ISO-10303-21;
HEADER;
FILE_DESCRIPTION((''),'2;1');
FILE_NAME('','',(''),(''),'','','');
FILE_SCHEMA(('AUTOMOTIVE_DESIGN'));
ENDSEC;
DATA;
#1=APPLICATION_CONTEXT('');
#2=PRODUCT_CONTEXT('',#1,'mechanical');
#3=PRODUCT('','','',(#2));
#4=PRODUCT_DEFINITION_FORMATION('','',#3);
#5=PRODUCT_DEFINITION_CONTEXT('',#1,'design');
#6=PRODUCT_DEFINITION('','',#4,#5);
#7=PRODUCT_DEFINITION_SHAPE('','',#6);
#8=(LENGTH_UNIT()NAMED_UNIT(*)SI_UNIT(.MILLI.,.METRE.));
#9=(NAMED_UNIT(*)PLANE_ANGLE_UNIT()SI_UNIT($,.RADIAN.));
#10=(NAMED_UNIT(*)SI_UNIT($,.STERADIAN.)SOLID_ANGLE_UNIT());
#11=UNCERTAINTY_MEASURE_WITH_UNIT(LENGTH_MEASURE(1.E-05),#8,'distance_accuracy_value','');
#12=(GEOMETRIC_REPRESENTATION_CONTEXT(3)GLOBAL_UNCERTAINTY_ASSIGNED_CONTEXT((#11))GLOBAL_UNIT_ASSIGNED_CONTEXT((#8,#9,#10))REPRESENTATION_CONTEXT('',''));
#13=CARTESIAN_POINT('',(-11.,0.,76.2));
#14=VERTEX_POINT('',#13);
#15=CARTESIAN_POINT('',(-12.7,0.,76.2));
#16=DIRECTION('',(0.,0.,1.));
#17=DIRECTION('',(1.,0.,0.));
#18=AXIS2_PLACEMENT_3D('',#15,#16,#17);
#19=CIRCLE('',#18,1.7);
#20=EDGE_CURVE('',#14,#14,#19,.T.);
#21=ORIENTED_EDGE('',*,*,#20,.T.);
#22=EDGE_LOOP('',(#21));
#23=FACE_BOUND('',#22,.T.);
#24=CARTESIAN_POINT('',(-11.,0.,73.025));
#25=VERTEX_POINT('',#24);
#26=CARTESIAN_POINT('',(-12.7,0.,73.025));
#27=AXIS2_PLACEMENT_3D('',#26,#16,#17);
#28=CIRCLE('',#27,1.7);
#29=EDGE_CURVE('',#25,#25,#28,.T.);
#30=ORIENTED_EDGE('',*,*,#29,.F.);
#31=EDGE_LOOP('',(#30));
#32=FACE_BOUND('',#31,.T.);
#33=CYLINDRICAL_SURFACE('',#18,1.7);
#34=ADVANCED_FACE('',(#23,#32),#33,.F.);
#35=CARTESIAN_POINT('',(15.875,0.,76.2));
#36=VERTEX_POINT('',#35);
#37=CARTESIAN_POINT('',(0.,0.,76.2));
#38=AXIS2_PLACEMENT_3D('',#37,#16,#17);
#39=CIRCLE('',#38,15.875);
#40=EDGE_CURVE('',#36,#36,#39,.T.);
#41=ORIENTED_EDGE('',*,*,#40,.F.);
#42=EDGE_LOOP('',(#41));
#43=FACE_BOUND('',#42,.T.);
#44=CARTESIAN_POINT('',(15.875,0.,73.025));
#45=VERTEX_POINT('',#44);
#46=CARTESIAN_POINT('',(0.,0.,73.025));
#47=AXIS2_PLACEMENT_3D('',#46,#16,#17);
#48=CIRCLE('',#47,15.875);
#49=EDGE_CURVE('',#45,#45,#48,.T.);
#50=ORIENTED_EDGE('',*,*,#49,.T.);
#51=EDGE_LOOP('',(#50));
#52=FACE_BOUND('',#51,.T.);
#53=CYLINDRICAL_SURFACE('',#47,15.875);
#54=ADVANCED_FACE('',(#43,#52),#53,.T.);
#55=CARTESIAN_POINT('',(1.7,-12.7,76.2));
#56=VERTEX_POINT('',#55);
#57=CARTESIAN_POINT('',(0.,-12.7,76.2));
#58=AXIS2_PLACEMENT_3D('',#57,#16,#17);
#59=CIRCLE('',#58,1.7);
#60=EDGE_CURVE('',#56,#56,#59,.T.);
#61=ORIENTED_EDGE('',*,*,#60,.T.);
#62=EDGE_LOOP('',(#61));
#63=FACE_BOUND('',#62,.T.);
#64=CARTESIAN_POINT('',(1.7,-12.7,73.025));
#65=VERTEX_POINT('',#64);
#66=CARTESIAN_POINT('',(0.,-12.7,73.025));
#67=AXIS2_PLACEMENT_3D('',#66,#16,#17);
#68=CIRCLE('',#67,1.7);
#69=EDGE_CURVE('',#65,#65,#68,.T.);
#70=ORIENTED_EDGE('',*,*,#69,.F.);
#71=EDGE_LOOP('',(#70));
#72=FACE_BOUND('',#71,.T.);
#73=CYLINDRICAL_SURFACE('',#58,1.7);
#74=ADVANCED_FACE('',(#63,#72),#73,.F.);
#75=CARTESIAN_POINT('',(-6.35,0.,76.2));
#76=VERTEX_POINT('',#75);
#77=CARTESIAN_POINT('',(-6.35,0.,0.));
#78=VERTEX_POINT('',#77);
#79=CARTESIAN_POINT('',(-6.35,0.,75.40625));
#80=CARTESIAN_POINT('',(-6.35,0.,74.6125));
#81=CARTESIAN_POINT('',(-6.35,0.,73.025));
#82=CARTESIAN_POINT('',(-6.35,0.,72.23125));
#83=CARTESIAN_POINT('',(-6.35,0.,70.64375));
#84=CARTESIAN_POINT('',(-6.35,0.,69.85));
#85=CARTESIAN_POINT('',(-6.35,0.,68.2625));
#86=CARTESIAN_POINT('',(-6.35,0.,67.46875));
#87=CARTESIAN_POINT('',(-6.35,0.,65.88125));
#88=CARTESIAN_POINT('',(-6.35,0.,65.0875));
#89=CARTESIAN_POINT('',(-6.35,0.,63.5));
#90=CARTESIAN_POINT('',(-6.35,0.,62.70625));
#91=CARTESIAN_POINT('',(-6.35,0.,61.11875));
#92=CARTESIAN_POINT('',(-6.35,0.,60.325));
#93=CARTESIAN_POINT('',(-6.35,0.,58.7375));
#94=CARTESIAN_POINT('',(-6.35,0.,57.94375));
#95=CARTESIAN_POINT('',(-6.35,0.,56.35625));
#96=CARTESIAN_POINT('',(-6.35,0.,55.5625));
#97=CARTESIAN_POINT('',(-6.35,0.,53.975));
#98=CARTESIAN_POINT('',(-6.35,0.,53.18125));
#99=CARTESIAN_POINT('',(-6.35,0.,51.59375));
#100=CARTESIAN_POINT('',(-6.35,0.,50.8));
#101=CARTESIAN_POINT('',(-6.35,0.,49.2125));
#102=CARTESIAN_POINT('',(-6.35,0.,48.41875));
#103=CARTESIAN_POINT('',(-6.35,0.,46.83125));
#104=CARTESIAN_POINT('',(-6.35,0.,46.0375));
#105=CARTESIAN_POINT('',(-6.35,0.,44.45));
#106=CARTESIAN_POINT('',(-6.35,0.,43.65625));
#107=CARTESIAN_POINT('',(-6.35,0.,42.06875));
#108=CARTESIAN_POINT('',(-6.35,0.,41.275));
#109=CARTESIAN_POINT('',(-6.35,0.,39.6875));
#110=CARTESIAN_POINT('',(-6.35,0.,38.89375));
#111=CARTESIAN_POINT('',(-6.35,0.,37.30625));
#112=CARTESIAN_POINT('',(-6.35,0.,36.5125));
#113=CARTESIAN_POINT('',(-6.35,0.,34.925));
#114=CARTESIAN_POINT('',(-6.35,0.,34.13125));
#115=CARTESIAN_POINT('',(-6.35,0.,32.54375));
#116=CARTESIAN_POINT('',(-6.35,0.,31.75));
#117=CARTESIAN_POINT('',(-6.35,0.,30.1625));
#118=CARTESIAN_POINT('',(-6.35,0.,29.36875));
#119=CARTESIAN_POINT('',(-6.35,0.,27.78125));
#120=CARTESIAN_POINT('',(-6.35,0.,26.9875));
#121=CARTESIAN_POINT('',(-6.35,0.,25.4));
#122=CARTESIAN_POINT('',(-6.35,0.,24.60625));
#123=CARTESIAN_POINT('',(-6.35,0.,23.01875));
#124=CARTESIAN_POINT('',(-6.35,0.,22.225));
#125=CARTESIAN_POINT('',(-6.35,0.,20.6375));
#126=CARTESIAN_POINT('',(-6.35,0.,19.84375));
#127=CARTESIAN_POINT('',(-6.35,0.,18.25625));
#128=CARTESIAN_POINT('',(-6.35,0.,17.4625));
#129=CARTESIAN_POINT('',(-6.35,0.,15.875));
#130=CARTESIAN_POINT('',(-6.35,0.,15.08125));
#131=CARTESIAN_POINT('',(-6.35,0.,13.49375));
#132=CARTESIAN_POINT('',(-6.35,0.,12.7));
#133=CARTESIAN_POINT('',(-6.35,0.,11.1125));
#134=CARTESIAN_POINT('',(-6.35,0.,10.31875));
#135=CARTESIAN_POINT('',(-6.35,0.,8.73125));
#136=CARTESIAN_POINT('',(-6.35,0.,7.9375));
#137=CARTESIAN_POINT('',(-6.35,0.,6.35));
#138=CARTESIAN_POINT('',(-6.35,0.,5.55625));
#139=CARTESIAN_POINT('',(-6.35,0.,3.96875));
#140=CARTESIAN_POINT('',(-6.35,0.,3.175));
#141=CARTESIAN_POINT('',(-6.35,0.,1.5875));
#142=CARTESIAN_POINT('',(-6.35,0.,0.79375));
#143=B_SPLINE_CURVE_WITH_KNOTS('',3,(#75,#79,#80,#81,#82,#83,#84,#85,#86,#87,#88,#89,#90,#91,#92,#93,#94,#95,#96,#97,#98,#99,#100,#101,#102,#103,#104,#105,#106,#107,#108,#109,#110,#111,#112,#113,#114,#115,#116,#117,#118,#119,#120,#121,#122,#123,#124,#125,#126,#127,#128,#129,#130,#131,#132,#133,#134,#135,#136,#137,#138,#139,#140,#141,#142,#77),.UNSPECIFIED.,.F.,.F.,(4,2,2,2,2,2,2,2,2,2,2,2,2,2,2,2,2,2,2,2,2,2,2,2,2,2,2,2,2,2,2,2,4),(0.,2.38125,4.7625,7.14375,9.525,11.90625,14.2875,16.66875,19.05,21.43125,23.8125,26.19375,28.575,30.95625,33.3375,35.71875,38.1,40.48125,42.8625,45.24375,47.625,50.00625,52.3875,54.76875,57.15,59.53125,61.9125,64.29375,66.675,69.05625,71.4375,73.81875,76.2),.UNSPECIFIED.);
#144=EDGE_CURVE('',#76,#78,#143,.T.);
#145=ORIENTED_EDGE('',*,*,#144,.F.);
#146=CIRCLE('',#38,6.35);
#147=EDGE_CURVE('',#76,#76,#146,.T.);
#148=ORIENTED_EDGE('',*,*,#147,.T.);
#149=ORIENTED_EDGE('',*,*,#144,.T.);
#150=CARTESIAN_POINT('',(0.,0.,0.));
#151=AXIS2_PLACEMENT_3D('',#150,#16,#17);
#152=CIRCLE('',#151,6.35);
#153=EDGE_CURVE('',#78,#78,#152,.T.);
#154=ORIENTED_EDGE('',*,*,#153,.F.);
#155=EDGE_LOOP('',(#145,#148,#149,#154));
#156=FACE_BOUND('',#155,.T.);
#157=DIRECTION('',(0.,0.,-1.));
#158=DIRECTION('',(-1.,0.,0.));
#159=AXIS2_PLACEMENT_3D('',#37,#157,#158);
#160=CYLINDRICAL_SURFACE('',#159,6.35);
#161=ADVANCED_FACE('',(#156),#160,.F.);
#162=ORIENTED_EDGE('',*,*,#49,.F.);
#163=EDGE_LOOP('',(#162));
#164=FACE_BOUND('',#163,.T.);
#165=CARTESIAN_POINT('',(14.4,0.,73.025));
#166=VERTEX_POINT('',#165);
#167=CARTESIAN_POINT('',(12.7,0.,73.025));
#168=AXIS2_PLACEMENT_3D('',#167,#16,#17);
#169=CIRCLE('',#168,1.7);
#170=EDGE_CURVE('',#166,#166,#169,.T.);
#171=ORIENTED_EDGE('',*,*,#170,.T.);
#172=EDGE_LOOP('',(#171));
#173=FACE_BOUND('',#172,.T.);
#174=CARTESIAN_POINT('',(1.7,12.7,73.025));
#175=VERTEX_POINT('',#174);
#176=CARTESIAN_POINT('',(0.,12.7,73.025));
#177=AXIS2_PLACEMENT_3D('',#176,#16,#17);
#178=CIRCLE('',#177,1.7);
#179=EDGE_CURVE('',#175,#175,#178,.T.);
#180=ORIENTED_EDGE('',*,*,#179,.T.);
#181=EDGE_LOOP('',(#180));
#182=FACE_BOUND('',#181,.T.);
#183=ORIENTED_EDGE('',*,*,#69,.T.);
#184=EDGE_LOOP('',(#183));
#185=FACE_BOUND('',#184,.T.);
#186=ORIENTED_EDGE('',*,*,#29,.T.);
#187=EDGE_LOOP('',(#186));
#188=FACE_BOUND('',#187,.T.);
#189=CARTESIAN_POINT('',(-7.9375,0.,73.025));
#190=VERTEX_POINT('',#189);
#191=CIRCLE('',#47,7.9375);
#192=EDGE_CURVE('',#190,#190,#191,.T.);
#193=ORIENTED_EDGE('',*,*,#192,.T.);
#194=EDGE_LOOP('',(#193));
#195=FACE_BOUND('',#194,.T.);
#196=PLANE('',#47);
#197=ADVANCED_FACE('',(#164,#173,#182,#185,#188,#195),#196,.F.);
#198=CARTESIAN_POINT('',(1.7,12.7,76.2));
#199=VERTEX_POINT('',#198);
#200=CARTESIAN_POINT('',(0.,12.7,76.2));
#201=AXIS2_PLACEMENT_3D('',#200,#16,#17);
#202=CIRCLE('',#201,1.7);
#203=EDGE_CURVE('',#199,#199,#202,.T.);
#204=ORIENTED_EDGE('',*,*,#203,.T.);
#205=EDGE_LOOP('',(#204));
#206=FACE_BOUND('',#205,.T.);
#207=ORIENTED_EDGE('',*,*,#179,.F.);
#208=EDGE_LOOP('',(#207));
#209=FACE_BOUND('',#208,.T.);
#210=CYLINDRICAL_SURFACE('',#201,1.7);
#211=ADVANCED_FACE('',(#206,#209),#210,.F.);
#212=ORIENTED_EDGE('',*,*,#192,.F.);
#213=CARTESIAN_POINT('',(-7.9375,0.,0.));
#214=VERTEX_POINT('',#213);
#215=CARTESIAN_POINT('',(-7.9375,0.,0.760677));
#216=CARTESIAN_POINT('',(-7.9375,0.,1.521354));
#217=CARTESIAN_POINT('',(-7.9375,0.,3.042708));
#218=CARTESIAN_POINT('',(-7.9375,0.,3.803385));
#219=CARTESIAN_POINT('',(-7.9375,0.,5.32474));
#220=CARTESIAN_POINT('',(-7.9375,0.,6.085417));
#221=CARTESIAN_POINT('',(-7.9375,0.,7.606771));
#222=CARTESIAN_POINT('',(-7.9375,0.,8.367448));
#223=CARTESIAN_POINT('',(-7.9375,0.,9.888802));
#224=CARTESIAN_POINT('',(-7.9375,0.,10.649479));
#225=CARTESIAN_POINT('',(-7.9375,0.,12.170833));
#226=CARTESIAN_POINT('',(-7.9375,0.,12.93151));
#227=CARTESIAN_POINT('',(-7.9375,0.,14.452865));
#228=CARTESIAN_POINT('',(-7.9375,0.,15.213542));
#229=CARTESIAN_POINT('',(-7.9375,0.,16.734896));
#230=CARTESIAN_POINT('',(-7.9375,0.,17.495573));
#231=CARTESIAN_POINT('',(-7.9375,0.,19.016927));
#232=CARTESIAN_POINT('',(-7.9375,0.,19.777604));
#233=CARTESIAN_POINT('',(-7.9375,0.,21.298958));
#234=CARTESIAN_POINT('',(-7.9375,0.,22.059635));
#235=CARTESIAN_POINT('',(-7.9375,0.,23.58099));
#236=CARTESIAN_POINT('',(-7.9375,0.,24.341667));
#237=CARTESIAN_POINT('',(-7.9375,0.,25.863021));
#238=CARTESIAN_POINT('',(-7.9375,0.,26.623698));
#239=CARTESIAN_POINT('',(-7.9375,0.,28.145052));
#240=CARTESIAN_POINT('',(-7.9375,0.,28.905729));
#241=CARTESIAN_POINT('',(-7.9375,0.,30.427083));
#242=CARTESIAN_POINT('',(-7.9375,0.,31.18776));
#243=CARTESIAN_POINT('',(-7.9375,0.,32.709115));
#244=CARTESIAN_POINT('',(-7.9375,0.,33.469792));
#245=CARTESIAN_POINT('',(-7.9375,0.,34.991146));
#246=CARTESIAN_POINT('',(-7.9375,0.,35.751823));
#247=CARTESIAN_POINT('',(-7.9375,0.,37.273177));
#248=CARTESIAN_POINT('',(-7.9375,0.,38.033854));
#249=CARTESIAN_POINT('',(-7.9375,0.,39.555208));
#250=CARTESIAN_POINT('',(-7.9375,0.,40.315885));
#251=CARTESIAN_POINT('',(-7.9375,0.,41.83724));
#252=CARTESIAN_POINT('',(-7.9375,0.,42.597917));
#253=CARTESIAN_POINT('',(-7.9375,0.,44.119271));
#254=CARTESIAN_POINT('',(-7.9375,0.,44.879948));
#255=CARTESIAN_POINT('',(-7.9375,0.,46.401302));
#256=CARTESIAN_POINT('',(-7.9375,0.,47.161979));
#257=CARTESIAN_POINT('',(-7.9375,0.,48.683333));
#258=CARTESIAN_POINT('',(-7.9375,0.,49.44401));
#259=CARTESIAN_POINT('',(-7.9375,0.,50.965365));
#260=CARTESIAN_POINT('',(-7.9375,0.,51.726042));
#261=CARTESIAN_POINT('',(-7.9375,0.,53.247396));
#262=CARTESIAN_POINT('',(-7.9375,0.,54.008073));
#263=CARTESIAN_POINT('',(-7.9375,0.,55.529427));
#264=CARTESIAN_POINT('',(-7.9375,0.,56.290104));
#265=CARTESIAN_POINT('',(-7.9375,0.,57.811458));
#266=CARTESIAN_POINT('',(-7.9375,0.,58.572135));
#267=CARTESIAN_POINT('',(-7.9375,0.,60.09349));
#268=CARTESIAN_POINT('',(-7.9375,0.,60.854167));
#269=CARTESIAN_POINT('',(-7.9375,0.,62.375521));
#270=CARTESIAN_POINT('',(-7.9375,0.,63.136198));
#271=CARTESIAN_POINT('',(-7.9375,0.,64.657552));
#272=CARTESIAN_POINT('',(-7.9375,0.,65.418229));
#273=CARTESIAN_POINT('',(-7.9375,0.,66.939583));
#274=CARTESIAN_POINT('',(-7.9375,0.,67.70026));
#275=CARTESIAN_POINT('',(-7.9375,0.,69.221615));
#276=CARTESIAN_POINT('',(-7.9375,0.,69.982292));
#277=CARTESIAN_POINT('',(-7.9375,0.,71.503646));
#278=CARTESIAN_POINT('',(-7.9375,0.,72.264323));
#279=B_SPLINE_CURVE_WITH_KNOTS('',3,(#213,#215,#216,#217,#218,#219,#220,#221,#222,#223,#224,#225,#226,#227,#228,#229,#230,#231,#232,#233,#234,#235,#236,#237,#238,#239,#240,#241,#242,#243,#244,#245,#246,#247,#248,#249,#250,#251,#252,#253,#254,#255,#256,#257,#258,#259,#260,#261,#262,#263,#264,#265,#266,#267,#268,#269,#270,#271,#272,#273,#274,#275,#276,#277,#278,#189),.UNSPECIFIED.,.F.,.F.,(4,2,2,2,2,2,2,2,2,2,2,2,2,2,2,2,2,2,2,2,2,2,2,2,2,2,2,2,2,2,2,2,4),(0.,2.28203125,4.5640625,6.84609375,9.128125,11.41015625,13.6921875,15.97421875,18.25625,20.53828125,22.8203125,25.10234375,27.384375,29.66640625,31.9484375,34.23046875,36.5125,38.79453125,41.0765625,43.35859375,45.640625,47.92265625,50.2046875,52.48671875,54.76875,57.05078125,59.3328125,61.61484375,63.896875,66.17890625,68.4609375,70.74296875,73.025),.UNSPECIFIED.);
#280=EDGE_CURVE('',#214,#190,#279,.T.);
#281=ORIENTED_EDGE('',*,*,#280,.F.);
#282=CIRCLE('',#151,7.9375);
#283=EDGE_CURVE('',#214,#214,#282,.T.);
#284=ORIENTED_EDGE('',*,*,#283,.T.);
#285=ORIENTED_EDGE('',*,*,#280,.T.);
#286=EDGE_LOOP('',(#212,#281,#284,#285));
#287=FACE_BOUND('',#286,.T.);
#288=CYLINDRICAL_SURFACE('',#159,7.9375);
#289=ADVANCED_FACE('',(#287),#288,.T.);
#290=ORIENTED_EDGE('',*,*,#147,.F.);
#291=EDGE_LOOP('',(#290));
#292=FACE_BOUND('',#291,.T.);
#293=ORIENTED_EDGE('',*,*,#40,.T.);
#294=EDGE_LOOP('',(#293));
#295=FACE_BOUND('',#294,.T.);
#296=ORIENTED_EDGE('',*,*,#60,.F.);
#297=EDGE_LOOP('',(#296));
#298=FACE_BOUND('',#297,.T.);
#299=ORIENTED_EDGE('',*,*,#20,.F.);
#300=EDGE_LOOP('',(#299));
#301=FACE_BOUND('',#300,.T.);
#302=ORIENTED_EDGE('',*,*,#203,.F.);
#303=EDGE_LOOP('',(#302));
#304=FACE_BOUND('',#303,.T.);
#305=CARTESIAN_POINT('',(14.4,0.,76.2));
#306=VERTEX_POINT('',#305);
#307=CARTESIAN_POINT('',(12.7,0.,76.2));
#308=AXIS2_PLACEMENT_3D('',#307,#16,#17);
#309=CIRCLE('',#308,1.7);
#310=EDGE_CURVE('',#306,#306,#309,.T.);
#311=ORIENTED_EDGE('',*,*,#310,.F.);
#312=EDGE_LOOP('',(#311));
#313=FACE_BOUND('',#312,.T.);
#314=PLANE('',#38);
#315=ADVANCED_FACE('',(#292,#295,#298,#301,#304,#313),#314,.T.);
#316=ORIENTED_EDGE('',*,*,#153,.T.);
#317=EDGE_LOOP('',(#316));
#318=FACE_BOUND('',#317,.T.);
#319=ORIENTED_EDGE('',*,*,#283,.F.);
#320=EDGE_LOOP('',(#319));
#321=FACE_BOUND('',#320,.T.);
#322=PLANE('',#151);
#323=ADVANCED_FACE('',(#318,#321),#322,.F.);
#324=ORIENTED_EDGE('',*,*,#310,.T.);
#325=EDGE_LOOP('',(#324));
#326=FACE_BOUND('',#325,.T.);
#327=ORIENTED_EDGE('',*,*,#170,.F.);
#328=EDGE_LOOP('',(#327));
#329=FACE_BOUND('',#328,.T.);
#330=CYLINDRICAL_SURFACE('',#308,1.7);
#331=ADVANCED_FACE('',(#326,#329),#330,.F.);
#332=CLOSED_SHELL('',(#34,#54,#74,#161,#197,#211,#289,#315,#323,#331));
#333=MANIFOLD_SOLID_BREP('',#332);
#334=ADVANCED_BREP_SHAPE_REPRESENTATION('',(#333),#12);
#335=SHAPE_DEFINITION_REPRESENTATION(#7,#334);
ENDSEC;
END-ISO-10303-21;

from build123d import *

# Parameters (mm, degrees)
SKETCH1_R                = 7.9375
SKETCH1_R_2              = 6.35
BOSS_EXTRUDE1_DEPTH      = 76.2
BOSS_EXTRUDE2_START      = -3.175
SKETCH2_R                = 15.875
SKETCH2_R_2              = 6.35
BOSS_EXTRUDE2_DEPTH      = 3.175
M3_CLEARANCE_HOLE1_D     = 3.4
M3_CLEARANCE_HOLE1_DEPTH = 4
M3_CLEARANCE_HOLE1_TIP   = 1.021463052


with BuildPart() as part:
    # Sketch1 → Boss-Extrude1 (new body)
    with BuildSketch(Plane.XY):
        with Locations(Location((0, 0, 0), (0, 0, 180))):
            Circle(SKETCH1_R)
        with Locations(Location((0, 0, 0), (0, 0, 180))):
            Circle(SKETCH1_R_2, mode=Mode.SUBTRACT)
    extrude(amount=BOSS_EXTRUDE1_DEPTH)

    # Sketch2 → Boss-Extrude2 (add)
    with BuildSketch(Plane.XY.offset(76.2).offset(BOSS_EXTRUDE2_START)):
        Circle(SKETCH2_R)
        with Locations(Location((0, 0, 0), (0, 0, 180))):
            Circle(SKETCH2_R_2, mode=Mode.SUBTRACT)
    extrude(amount=BOSS_EXTRUDE2_DEPTH)

    # M3 Clearance Hole1
    with Locations(Plane.XY.offset(76.2)):
        with Locations((0, 12.7), (0, -12.7), (12.7, 0), (-12.7, 0)):
            Hole(M3_CLEARANCE_HOLE1_D / 2, depth=M3_CLEARANCE_HOLE1_DEPTH)
            with Locations((0, 0, -(M3_CLEARANCE_HOLE1_DEPTH + M3_CLEARANCE_HOLE1_TIP / 2))):  # 118° drill point
                Cone(0, M3_CLEARANCE_HOLE1_D / 2, M3_CLEARANCE_HOLE1_TIP, mode=Mode.SUBTRACT)


solid = part.part
